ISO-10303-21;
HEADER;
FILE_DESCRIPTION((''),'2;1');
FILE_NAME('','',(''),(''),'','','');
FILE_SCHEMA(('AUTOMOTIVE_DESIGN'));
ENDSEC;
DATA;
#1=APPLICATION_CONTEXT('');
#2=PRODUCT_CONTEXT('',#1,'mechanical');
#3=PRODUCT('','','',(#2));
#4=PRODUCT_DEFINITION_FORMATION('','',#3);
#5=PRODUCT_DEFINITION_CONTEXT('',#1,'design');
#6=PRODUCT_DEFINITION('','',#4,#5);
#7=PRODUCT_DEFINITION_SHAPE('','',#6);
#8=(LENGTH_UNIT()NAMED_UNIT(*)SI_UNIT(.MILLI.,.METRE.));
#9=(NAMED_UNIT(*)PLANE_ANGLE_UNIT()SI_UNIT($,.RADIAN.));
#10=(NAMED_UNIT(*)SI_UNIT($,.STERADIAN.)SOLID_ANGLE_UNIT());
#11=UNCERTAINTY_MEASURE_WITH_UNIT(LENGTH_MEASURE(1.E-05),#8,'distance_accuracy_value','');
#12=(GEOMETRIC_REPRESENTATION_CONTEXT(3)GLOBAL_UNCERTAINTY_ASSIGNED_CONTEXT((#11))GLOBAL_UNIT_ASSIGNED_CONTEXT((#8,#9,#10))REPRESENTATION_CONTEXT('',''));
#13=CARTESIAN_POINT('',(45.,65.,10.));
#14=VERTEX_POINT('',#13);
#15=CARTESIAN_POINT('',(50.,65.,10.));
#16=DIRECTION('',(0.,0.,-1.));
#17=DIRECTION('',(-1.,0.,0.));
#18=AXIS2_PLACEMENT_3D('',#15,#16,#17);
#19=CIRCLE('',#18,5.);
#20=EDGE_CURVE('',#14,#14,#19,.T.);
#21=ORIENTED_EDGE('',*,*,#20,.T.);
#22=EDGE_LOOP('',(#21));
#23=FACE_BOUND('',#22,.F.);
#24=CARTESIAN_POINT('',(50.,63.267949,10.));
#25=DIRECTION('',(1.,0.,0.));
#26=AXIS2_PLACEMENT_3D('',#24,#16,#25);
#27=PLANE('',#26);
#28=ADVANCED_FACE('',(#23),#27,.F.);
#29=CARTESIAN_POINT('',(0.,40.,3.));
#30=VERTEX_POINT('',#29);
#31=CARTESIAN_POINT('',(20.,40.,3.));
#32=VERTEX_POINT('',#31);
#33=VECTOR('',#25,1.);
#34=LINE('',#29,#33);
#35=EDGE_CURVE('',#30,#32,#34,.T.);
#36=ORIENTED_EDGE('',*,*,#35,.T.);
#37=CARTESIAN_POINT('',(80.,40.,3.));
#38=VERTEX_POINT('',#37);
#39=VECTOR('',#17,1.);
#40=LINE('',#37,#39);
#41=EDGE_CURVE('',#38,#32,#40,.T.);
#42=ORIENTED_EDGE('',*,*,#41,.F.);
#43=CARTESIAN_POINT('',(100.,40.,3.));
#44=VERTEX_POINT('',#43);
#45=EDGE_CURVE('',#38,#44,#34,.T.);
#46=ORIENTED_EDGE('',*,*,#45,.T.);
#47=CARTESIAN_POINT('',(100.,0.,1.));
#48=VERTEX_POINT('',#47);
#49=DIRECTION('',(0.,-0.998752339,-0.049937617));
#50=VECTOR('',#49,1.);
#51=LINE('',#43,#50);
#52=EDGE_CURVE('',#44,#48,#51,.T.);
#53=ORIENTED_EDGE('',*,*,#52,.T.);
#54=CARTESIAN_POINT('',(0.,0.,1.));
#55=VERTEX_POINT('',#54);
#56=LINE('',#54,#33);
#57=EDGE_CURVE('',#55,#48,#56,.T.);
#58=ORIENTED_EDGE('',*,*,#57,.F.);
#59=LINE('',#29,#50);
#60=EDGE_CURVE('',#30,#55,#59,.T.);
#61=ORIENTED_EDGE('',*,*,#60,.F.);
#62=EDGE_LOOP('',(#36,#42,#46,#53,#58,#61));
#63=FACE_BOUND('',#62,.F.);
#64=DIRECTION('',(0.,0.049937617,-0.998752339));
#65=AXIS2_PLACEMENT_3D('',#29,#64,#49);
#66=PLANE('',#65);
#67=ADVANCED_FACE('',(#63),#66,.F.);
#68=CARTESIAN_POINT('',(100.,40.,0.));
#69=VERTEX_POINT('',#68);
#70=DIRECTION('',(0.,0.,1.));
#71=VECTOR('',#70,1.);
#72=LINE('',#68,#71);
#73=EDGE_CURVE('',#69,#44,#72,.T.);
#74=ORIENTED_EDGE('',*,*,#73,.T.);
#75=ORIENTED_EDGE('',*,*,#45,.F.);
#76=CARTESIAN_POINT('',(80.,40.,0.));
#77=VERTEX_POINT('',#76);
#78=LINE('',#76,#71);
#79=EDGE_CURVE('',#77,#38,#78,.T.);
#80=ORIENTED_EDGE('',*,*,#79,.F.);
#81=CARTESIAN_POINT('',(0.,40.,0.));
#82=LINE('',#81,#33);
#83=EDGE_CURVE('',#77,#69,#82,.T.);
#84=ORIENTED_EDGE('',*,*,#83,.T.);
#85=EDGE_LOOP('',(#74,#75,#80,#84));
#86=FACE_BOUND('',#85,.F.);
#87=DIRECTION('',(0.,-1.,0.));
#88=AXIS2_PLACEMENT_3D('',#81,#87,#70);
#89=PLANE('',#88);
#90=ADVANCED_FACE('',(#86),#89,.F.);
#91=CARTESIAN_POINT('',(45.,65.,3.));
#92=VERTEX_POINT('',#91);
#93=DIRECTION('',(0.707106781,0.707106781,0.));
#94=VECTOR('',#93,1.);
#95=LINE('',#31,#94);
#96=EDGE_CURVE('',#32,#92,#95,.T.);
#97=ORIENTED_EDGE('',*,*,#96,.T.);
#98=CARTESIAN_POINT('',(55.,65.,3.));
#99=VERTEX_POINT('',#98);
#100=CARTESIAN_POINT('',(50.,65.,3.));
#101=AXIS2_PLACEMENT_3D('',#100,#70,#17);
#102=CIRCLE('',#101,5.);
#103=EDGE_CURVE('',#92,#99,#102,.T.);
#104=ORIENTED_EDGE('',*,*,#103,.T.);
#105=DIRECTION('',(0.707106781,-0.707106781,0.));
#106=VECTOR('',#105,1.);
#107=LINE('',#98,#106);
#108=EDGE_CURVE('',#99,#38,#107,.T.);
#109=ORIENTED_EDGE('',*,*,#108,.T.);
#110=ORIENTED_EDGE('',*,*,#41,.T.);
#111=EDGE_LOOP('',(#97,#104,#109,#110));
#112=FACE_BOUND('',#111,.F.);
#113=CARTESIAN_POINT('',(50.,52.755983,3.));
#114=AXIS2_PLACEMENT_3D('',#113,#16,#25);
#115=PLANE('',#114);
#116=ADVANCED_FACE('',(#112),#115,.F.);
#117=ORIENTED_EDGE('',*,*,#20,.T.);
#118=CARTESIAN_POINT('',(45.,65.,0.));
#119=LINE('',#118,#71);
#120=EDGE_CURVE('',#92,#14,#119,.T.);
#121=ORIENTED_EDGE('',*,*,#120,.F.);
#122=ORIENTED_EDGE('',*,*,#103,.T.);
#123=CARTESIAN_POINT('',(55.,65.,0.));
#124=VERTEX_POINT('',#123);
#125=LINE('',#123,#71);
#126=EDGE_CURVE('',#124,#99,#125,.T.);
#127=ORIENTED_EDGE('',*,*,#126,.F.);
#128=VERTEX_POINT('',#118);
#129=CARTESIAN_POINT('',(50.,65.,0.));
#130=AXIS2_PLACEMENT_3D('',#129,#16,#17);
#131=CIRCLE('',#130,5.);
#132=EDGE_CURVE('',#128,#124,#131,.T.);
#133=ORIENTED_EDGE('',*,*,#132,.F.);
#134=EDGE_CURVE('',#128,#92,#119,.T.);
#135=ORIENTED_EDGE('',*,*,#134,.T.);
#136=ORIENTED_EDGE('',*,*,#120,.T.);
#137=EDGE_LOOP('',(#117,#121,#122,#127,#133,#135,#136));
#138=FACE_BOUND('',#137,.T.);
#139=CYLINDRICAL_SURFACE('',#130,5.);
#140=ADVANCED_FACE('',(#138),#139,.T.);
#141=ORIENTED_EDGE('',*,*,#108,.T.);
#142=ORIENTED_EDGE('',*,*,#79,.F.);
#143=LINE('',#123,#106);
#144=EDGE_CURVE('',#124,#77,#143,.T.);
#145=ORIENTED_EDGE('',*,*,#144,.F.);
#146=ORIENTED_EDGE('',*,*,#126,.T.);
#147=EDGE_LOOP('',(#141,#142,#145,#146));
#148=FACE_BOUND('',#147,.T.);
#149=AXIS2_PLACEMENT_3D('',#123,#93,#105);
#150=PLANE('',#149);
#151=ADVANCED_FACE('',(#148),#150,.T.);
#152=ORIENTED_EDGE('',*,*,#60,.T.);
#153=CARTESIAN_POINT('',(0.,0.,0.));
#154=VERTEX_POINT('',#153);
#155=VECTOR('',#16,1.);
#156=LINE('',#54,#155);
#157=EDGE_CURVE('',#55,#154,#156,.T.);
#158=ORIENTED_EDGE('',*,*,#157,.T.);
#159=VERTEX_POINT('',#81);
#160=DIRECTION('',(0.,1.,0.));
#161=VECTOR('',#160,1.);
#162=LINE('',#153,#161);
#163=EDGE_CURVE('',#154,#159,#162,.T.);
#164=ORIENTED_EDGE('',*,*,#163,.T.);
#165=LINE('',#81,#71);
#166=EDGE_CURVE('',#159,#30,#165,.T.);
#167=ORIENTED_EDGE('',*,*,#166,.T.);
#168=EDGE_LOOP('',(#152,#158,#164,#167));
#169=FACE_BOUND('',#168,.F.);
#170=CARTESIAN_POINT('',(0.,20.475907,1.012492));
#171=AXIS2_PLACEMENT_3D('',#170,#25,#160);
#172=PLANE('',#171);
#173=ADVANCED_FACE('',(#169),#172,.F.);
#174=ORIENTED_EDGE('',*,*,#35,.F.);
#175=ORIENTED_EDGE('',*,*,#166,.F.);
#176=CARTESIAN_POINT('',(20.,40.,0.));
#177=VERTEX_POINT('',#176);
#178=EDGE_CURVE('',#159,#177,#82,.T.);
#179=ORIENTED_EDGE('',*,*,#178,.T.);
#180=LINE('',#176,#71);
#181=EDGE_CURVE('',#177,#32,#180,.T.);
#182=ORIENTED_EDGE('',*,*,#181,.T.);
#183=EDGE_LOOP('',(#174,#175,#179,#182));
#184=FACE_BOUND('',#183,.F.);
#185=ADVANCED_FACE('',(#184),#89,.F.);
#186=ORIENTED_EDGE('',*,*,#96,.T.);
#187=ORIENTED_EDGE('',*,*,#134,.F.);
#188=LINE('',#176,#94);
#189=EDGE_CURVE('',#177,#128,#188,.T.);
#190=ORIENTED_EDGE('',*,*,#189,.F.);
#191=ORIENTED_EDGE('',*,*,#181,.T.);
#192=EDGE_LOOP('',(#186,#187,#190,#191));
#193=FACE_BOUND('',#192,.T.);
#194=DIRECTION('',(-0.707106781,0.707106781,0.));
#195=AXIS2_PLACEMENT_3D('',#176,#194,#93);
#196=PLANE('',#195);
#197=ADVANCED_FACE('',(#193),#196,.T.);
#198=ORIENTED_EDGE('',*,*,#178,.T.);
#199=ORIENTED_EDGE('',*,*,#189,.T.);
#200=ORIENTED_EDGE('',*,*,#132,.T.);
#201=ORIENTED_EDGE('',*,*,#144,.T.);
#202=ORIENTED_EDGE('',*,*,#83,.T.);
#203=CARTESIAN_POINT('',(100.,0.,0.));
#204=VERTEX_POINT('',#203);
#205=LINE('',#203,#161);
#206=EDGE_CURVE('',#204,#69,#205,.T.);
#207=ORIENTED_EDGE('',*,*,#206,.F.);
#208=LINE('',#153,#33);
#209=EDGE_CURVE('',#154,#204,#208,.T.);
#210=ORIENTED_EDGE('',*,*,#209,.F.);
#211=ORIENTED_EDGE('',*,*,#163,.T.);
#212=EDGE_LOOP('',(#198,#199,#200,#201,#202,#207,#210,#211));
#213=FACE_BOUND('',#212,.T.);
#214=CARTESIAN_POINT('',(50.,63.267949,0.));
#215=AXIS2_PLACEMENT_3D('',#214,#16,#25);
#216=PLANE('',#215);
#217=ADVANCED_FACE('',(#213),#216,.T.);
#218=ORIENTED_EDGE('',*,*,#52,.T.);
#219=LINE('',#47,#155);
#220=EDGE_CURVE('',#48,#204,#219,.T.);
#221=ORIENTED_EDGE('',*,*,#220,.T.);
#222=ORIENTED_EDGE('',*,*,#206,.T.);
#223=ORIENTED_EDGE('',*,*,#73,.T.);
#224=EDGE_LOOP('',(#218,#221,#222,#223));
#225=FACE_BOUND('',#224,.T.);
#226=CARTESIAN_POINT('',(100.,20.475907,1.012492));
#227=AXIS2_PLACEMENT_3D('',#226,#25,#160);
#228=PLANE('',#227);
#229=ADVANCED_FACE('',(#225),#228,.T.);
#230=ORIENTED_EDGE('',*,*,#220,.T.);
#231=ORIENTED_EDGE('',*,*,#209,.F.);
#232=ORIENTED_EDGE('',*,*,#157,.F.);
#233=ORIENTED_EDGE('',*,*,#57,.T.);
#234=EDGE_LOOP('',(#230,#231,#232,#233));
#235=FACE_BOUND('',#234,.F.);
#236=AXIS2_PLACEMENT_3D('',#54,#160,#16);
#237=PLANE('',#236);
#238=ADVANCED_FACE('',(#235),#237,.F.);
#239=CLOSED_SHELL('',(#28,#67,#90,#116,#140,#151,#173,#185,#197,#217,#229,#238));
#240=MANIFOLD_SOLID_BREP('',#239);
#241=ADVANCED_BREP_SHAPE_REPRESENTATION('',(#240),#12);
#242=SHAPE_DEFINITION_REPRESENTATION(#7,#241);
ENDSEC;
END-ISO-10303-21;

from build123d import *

# Parameters (mm, degrees)
F1_DEPTH = 100
F3_DEPTH = 3
F4_DEPTH = 10


with BuildPart() as f1:
    # F0 (on Right) → F1 (new body)
    with BuildSketch(Plane.YZ):
        Polygon((0, 1), (0, 0), (40, 0), (40, 3), align=None)
    extrude(amount=F1_DEPTH)

    # F2 (on face) → F3 (join)
    with BuildSketch(Plane(origin=(0, 0, 0), x_dir=(1, 0, 0), z_dir=(0, 0, -1))):
        with BuildLine():
            ThreePointArc((45, -65), (50, -60), (55, -65))
            Line((55, -65), (55, -40))
            Line((55, -40), (45, -40))
            Line((45, -40), (45, -65))
        make_face()
        Polygon((20, -40), (45, -65), (45, -40), align=None)
        Polygon((55, -40), (55, -65), (80, -40), align=None)
    extrude(amount=-F3_DEPTH)

    # F2 (on face) → F4 (join)
    with BuildSketch(Plane(origin=(0, 0, 0), x_dir=(1, 0, 0), z_dir=(0, 0, -1))):
        with BuildLine():
            Line((45, -65), (55, -65))
            ThreePointArc((55, -65), (50, -60), (45, -65))
        make_face()
        with BuildLine():
            ThreePointArc((45, -65), (50, -70), (55, -65))
            Line((55, -65), (45, -65))
        make_face()
    extrude(amount=-F4_DEPTH)


solid = f1.part
